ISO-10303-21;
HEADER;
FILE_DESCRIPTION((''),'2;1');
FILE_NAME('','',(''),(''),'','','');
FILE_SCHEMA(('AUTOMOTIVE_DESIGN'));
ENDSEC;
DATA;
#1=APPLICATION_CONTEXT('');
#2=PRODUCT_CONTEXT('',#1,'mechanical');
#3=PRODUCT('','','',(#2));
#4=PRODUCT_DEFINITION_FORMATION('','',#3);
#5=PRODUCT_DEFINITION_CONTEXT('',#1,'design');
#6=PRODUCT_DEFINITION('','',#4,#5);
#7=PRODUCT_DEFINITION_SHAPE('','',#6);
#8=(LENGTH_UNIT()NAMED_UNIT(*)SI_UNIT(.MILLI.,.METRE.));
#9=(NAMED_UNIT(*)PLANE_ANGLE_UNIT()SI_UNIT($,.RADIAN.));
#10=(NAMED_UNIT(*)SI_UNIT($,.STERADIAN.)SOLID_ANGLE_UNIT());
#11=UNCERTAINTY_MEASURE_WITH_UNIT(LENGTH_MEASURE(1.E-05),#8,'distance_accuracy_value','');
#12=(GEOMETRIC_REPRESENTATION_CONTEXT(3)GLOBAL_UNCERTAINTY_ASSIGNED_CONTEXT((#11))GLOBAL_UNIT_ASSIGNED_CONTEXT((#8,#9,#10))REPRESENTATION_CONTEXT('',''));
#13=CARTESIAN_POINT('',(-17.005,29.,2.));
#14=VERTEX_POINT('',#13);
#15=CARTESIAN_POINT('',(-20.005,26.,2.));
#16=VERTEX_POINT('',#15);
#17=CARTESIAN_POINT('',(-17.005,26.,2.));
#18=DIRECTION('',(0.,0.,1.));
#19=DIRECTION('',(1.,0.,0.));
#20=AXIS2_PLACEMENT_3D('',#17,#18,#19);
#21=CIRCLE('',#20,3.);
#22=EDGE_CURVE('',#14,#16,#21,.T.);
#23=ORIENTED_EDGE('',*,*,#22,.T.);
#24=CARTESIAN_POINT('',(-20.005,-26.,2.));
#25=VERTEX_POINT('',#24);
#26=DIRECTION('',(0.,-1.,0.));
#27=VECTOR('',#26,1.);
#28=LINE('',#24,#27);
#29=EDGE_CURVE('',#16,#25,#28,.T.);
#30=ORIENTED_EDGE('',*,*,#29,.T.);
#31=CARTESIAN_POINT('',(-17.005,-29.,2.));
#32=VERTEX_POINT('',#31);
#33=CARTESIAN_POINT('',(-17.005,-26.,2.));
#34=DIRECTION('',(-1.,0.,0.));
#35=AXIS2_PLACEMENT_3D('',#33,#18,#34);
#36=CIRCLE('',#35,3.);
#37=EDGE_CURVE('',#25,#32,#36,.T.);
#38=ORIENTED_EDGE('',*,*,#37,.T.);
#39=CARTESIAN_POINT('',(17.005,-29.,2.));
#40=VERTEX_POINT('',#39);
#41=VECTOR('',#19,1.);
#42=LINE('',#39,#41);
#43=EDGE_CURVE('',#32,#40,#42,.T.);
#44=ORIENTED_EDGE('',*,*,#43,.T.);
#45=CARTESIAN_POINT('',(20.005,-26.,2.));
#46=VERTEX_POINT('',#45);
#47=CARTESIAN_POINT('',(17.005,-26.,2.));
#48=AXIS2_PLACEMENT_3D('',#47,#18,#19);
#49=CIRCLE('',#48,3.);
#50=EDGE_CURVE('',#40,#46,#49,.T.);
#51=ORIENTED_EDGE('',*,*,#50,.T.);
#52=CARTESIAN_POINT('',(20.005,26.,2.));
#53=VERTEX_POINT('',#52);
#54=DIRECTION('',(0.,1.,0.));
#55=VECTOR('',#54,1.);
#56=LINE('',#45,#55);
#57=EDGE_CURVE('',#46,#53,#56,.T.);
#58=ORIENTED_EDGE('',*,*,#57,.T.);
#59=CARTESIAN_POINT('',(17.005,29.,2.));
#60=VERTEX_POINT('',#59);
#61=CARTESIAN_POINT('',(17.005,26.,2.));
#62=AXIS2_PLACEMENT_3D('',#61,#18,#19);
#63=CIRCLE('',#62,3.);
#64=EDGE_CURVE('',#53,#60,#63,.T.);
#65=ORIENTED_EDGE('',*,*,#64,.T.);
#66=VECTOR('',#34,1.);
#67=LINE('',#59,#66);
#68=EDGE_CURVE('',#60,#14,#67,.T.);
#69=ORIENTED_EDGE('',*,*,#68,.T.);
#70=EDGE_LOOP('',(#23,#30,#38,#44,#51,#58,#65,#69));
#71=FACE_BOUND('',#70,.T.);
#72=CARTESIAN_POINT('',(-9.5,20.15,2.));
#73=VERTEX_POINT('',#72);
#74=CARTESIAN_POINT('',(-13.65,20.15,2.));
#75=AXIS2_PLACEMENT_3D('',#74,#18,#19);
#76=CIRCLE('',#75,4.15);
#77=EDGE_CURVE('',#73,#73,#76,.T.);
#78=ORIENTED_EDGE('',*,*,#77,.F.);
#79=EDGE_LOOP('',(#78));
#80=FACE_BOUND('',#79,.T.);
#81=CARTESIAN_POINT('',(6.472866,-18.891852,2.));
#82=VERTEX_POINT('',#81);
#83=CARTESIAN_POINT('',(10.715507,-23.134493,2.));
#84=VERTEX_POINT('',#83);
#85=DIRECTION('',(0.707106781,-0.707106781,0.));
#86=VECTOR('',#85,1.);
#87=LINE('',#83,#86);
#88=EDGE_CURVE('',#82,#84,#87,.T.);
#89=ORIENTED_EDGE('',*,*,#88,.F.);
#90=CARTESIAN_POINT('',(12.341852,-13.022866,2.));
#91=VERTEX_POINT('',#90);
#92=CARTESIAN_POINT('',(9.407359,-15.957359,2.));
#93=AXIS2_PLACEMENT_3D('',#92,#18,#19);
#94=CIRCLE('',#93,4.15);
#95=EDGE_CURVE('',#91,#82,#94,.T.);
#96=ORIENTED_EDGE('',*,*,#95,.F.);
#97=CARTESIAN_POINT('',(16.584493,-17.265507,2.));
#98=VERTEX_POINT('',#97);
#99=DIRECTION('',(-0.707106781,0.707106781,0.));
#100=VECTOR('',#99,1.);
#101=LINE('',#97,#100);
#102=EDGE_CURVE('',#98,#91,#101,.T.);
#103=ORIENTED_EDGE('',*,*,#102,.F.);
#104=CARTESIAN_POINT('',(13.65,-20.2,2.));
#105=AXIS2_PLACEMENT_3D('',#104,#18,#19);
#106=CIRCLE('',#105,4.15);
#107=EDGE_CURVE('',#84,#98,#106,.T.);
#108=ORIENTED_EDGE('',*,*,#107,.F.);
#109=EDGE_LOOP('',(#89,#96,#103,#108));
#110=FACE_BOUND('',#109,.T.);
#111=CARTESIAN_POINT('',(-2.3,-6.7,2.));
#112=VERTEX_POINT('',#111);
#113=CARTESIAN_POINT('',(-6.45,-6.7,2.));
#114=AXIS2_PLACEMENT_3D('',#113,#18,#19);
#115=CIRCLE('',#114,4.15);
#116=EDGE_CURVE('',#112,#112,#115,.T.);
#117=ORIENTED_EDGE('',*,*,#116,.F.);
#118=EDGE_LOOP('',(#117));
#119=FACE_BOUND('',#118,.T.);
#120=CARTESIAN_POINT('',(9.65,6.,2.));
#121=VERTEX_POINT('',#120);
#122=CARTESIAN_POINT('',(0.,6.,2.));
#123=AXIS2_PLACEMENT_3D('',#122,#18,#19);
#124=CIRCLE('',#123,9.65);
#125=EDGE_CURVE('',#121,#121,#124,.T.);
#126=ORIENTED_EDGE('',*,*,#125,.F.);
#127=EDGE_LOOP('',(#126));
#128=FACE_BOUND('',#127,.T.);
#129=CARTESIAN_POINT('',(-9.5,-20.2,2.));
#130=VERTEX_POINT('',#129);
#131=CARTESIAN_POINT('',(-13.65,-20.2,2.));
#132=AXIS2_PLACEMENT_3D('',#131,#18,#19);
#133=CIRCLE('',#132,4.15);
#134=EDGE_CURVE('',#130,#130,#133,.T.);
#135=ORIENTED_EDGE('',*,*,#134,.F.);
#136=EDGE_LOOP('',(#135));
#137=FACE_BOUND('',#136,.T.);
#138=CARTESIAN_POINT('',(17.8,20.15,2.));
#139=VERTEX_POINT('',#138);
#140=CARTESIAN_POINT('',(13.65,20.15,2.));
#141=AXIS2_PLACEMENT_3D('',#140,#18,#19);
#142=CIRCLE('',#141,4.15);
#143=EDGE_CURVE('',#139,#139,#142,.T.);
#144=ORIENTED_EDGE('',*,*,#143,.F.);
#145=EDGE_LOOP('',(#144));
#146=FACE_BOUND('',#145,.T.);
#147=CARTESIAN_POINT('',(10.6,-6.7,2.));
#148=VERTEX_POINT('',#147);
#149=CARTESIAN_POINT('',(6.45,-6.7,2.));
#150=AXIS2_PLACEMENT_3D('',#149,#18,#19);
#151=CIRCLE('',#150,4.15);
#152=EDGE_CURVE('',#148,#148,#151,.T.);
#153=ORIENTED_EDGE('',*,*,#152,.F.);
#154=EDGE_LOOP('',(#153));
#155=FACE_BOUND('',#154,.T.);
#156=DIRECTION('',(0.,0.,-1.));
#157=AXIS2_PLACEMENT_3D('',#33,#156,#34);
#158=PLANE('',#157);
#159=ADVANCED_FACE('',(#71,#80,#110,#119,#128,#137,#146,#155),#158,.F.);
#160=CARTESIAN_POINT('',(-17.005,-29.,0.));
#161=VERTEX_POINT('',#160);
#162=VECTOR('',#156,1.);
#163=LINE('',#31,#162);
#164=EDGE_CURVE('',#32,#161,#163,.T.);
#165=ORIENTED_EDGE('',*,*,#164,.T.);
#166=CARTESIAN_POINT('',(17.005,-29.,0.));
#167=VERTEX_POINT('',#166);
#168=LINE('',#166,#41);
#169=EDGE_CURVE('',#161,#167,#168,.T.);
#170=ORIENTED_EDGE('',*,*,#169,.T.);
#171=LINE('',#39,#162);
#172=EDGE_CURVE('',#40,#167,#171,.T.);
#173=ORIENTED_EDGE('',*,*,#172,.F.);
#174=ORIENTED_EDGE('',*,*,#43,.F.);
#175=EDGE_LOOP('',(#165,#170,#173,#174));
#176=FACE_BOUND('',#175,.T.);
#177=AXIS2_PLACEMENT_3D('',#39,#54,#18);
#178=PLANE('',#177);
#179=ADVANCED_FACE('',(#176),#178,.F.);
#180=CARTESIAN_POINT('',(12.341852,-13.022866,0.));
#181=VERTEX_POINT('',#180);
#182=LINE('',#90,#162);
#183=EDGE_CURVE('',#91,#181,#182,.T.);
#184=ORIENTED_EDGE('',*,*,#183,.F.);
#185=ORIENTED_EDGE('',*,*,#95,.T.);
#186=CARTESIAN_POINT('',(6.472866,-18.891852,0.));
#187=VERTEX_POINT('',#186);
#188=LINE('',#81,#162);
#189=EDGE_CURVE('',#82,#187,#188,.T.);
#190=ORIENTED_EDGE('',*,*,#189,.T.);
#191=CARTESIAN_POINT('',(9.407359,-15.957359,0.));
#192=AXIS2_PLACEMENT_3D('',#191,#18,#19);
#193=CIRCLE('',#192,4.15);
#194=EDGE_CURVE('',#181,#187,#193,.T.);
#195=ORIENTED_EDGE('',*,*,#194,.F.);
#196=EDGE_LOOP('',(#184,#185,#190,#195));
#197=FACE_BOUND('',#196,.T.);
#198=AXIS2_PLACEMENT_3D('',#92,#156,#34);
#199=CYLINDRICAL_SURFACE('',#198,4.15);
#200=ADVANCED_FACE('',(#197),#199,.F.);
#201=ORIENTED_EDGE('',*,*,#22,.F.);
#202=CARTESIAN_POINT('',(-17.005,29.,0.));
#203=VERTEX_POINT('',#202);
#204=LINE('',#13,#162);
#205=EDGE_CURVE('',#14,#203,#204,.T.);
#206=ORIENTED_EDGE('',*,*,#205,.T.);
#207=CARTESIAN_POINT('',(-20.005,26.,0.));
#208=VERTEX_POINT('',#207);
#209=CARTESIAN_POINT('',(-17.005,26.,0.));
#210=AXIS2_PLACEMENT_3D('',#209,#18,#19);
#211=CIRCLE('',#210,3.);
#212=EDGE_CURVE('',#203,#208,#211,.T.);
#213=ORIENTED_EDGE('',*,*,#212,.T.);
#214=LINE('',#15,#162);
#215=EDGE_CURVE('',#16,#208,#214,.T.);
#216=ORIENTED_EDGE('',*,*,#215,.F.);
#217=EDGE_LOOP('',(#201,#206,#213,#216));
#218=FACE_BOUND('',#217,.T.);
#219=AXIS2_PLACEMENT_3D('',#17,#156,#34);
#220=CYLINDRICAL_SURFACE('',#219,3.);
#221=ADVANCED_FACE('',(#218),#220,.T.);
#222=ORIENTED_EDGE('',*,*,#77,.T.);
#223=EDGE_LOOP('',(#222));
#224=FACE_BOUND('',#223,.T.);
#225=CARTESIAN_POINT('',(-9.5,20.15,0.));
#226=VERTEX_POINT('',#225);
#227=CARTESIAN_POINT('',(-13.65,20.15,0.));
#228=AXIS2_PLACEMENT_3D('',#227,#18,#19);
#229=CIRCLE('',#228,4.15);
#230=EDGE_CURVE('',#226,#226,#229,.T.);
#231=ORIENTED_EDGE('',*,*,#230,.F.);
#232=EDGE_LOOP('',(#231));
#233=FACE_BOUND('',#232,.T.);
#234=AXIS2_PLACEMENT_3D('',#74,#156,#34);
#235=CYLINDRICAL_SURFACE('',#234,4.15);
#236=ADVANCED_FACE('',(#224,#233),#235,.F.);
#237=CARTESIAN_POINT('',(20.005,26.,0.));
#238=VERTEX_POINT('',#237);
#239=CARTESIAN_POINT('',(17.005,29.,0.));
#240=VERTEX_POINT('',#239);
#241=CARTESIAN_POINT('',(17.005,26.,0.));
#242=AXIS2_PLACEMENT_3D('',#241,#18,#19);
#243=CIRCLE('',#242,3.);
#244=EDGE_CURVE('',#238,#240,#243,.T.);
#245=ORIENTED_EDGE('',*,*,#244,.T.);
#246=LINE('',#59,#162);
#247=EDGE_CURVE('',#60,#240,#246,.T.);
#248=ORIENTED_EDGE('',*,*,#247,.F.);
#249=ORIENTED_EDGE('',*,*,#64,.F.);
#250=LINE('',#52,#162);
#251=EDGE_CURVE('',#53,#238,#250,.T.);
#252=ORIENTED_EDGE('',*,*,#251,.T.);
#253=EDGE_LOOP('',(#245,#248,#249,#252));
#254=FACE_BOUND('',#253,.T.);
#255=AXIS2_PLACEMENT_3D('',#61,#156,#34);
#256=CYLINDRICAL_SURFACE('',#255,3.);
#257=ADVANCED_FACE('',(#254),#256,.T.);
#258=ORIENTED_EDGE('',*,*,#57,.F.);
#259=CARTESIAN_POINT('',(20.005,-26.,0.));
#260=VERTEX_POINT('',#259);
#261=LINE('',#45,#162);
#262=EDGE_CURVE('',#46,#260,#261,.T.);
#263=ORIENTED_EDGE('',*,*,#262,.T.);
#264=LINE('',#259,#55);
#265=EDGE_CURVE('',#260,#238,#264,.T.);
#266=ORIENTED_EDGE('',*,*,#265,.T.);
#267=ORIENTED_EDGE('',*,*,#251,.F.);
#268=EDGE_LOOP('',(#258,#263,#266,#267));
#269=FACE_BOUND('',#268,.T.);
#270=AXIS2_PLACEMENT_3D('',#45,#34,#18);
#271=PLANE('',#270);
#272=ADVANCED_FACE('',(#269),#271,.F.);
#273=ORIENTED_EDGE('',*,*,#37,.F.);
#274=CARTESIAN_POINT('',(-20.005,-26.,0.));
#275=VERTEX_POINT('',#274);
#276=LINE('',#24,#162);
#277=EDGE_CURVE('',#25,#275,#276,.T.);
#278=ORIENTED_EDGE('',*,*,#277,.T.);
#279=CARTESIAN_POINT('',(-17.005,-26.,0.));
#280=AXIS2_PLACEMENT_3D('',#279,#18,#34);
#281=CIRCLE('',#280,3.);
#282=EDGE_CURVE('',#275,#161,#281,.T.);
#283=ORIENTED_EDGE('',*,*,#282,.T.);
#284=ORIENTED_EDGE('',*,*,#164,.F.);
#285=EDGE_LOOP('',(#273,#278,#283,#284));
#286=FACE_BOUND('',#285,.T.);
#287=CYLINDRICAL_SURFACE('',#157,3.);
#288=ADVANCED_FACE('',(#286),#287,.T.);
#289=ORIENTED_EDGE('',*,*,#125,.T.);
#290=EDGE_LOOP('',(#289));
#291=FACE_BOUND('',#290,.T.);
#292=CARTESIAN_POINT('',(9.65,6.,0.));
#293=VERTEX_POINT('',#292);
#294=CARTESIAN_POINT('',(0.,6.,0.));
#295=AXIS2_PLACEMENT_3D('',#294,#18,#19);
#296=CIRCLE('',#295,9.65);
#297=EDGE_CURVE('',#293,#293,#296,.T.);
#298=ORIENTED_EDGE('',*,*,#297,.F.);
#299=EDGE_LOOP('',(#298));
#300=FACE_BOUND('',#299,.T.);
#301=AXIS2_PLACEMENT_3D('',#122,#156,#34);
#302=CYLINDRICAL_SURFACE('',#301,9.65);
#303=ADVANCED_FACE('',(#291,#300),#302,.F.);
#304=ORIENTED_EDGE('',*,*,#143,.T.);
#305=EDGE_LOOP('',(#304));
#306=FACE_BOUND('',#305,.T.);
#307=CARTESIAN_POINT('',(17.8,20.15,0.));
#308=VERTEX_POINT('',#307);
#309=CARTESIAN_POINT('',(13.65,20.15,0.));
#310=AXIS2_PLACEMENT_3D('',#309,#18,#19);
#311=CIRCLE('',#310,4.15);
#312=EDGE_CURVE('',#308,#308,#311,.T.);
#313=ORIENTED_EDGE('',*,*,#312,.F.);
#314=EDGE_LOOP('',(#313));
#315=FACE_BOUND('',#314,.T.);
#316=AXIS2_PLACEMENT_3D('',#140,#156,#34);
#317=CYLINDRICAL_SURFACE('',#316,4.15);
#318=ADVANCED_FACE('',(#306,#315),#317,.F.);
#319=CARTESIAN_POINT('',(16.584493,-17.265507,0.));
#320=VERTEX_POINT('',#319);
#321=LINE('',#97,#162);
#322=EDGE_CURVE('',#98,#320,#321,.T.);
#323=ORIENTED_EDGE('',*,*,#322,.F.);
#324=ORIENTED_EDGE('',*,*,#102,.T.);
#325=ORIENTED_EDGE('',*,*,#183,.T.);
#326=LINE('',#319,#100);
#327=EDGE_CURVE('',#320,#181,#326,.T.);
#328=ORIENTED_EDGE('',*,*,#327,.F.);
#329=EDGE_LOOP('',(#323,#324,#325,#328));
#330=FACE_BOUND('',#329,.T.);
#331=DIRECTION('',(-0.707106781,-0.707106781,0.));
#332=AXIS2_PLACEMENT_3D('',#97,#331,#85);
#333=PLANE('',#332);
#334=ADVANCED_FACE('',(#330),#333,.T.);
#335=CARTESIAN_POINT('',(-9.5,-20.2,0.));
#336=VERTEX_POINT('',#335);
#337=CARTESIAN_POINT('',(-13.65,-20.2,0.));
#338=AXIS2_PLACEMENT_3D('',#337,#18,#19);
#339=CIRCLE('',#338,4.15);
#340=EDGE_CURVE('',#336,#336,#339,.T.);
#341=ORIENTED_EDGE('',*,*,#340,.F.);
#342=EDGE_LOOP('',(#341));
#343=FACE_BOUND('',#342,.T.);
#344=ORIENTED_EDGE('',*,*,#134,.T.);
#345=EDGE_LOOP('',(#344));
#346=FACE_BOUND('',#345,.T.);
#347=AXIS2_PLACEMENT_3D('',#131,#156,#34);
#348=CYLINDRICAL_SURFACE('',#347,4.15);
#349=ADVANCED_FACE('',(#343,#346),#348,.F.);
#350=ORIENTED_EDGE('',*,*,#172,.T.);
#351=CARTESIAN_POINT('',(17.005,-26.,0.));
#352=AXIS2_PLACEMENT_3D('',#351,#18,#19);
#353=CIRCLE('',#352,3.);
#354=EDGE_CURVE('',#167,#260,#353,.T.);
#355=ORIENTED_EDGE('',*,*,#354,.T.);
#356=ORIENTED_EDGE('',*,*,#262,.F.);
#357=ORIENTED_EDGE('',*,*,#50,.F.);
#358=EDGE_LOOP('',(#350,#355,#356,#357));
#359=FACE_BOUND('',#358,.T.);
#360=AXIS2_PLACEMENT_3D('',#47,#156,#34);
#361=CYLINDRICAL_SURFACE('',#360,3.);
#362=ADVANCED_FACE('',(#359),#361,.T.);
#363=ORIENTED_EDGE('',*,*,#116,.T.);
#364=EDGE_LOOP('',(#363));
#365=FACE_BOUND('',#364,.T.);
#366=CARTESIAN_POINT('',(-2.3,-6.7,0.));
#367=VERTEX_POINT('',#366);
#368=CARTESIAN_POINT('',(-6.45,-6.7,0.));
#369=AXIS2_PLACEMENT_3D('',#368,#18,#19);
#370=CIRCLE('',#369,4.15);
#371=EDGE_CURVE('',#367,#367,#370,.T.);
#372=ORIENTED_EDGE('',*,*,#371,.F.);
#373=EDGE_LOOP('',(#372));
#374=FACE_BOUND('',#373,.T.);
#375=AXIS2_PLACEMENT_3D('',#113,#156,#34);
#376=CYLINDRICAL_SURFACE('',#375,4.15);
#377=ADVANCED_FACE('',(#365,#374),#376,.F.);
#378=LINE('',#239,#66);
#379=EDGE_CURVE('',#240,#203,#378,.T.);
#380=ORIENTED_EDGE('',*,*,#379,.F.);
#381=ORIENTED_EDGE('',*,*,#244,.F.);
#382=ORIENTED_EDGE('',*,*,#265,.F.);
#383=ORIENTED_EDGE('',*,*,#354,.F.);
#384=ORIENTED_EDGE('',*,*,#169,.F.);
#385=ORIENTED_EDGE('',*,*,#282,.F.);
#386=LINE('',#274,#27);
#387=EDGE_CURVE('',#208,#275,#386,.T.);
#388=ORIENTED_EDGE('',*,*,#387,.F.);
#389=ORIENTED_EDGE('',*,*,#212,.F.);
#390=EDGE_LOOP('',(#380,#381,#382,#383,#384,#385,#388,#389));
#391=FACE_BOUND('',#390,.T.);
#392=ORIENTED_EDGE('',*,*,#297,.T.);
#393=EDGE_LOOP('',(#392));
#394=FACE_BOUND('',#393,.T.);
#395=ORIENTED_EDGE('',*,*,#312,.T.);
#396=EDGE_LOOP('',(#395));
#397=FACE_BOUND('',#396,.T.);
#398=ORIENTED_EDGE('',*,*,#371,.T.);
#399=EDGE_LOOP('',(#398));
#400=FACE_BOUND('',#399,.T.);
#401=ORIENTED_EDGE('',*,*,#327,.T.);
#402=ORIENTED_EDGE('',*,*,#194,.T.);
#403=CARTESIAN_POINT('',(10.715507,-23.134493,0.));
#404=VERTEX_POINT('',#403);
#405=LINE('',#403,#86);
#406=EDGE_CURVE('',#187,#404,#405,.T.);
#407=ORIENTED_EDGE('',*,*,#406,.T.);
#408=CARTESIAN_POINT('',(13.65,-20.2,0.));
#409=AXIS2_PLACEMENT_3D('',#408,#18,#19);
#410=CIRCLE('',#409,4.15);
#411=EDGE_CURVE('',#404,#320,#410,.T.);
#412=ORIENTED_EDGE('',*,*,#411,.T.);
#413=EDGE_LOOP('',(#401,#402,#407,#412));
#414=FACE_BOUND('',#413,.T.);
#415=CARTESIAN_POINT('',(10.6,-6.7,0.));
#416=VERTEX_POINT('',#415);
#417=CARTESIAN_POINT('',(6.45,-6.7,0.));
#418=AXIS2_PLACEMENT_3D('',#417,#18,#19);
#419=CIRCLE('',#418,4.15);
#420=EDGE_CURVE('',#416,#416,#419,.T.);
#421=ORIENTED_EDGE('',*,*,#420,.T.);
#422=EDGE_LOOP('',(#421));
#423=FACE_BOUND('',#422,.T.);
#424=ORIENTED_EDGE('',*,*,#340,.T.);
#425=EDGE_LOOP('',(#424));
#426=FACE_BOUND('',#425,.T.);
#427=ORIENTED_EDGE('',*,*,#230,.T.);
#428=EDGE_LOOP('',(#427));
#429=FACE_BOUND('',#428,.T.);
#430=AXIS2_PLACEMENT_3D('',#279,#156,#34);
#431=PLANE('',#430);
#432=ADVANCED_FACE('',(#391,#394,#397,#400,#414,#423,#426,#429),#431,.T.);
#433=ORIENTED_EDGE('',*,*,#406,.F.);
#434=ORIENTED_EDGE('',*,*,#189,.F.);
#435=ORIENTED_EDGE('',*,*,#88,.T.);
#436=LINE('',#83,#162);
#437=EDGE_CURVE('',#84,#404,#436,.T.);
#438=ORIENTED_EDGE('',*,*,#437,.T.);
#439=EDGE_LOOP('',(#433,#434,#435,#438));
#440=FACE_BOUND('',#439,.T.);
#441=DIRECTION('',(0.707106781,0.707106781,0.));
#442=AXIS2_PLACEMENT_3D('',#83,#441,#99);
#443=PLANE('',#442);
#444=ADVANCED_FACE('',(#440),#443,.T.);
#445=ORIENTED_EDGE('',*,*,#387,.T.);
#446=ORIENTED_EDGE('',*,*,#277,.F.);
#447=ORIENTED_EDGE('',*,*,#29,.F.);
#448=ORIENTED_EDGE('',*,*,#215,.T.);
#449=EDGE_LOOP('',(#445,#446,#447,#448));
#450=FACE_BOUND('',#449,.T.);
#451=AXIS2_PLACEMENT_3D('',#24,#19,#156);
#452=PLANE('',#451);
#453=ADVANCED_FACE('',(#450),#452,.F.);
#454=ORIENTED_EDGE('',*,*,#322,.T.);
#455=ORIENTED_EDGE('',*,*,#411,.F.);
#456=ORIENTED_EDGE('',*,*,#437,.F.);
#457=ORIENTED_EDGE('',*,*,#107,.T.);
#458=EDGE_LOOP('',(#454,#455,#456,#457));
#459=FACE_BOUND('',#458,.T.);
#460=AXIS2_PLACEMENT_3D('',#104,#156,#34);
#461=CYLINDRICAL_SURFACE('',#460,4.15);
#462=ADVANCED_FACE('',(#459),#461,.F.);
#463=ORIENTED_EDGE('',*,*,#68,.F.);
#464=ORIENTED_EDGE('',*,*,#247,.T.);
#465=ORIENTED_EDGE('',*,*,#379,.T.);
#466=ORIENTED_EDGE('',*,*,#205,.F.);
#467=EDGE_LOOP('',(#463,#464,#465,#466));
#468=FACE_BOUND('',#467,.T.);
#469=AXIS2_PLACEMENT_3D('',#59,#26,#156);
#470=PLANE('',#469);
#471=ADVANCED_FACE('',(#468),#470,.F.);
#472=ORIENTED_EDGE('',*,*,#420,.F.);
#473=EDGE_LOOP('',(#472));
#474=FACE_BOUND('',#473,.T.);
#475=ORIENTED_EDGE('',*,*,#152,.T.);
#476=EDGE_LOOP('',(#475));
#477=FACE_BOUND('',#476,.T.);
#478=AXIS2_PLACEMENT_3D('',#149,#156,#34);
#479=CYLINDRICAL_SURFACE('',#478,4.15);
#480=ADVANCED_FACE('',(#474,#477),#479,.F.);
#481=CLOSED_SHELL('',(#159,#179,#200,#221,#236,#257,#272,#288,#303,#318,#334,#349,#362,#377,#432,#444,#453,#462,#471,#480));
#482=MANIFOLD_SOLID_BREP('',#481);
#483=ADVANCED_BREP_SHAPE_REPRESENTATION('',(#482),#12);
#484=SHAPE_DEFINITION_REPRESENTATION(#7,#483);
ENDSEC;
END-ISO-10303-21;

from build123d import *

# Parameters (mm, degrees)
SKETCH1_R           = 9.65
SKETCH1_R_2         = 4.15
BOSS_EXTRUDE1_DEPTH = 2


with BuildPart() as part:
    # Sketch1 → Boss-Extrude1 (new body)
    with BuildSketch(Plane.XY):
        with BuildLine():
            Line((17.005, -29), (-17.005, -29))
            ThreePointArc((-17.005, -29), (-19.126320344, -28.121320344), (-20.005, -26))
            Line((-20.005, -26), (-20.005, 26))
            ThreePointArc((-20.005, 26), (-19.126320344, 28.121320344), (-17.005, 29))
            Line((-17.005, 29), (17.005, 29))
            ThreePointArc((17.005, 29), (19.126320344, 28.121320344), (20.005, 26))
            Line((20.005, 26), (20.005, -26))
            ThreePointArc((20.005, -26), (19.126320344, -28.121320344), (17.005, -29))
        make_face()
        with Locations((0, 6)):
            Circle(SKETCH1_R, mode=Mode.SUBTRACT)
        with Locations((13.65, 20.15)):
            Circle(SKETCH1_R_2, mode=Mode.SUBTRACT)
        with Locations((6.45, -6.7)):
            Circle(SKETCH1_R_2, mode=Mode.SUBTRACT)
        with Locations((-6.45, -6.7)):
            Circle(SKETCH1_R_2, mode=Mode.SUBTRACT)
        with Locations((-13.65, -20.2)):
            Circle(SKETCH1_R_2, mode=Mode.SUBTRACT)
        with Locations((-13.65, 20.15)):
            Circle(SKETCH1_R_2, mode=Mode.SUBTRACT)
        with BuildLine():
            Line((10.715506858, -23.134493142), (6.472866171, -18.891852455))
            ThreePointArc((6.472866171, -18.891852455), (6.472866171, -13.022866171), (12.341852455, -13.022866171))
            Line((12.341852455, -13.022866171), (16.584493142, -17.265506858))
            ThreePointArc((16.584493142, -17.265506858), (16.584493142, -23.134493142), (10.715506858, -23.134493142))
        make_face(mode=Mode.SUBTRACT)
    extrude(amount=BOSS_EXTRUDE1_DEPTH)


solid = part.part
